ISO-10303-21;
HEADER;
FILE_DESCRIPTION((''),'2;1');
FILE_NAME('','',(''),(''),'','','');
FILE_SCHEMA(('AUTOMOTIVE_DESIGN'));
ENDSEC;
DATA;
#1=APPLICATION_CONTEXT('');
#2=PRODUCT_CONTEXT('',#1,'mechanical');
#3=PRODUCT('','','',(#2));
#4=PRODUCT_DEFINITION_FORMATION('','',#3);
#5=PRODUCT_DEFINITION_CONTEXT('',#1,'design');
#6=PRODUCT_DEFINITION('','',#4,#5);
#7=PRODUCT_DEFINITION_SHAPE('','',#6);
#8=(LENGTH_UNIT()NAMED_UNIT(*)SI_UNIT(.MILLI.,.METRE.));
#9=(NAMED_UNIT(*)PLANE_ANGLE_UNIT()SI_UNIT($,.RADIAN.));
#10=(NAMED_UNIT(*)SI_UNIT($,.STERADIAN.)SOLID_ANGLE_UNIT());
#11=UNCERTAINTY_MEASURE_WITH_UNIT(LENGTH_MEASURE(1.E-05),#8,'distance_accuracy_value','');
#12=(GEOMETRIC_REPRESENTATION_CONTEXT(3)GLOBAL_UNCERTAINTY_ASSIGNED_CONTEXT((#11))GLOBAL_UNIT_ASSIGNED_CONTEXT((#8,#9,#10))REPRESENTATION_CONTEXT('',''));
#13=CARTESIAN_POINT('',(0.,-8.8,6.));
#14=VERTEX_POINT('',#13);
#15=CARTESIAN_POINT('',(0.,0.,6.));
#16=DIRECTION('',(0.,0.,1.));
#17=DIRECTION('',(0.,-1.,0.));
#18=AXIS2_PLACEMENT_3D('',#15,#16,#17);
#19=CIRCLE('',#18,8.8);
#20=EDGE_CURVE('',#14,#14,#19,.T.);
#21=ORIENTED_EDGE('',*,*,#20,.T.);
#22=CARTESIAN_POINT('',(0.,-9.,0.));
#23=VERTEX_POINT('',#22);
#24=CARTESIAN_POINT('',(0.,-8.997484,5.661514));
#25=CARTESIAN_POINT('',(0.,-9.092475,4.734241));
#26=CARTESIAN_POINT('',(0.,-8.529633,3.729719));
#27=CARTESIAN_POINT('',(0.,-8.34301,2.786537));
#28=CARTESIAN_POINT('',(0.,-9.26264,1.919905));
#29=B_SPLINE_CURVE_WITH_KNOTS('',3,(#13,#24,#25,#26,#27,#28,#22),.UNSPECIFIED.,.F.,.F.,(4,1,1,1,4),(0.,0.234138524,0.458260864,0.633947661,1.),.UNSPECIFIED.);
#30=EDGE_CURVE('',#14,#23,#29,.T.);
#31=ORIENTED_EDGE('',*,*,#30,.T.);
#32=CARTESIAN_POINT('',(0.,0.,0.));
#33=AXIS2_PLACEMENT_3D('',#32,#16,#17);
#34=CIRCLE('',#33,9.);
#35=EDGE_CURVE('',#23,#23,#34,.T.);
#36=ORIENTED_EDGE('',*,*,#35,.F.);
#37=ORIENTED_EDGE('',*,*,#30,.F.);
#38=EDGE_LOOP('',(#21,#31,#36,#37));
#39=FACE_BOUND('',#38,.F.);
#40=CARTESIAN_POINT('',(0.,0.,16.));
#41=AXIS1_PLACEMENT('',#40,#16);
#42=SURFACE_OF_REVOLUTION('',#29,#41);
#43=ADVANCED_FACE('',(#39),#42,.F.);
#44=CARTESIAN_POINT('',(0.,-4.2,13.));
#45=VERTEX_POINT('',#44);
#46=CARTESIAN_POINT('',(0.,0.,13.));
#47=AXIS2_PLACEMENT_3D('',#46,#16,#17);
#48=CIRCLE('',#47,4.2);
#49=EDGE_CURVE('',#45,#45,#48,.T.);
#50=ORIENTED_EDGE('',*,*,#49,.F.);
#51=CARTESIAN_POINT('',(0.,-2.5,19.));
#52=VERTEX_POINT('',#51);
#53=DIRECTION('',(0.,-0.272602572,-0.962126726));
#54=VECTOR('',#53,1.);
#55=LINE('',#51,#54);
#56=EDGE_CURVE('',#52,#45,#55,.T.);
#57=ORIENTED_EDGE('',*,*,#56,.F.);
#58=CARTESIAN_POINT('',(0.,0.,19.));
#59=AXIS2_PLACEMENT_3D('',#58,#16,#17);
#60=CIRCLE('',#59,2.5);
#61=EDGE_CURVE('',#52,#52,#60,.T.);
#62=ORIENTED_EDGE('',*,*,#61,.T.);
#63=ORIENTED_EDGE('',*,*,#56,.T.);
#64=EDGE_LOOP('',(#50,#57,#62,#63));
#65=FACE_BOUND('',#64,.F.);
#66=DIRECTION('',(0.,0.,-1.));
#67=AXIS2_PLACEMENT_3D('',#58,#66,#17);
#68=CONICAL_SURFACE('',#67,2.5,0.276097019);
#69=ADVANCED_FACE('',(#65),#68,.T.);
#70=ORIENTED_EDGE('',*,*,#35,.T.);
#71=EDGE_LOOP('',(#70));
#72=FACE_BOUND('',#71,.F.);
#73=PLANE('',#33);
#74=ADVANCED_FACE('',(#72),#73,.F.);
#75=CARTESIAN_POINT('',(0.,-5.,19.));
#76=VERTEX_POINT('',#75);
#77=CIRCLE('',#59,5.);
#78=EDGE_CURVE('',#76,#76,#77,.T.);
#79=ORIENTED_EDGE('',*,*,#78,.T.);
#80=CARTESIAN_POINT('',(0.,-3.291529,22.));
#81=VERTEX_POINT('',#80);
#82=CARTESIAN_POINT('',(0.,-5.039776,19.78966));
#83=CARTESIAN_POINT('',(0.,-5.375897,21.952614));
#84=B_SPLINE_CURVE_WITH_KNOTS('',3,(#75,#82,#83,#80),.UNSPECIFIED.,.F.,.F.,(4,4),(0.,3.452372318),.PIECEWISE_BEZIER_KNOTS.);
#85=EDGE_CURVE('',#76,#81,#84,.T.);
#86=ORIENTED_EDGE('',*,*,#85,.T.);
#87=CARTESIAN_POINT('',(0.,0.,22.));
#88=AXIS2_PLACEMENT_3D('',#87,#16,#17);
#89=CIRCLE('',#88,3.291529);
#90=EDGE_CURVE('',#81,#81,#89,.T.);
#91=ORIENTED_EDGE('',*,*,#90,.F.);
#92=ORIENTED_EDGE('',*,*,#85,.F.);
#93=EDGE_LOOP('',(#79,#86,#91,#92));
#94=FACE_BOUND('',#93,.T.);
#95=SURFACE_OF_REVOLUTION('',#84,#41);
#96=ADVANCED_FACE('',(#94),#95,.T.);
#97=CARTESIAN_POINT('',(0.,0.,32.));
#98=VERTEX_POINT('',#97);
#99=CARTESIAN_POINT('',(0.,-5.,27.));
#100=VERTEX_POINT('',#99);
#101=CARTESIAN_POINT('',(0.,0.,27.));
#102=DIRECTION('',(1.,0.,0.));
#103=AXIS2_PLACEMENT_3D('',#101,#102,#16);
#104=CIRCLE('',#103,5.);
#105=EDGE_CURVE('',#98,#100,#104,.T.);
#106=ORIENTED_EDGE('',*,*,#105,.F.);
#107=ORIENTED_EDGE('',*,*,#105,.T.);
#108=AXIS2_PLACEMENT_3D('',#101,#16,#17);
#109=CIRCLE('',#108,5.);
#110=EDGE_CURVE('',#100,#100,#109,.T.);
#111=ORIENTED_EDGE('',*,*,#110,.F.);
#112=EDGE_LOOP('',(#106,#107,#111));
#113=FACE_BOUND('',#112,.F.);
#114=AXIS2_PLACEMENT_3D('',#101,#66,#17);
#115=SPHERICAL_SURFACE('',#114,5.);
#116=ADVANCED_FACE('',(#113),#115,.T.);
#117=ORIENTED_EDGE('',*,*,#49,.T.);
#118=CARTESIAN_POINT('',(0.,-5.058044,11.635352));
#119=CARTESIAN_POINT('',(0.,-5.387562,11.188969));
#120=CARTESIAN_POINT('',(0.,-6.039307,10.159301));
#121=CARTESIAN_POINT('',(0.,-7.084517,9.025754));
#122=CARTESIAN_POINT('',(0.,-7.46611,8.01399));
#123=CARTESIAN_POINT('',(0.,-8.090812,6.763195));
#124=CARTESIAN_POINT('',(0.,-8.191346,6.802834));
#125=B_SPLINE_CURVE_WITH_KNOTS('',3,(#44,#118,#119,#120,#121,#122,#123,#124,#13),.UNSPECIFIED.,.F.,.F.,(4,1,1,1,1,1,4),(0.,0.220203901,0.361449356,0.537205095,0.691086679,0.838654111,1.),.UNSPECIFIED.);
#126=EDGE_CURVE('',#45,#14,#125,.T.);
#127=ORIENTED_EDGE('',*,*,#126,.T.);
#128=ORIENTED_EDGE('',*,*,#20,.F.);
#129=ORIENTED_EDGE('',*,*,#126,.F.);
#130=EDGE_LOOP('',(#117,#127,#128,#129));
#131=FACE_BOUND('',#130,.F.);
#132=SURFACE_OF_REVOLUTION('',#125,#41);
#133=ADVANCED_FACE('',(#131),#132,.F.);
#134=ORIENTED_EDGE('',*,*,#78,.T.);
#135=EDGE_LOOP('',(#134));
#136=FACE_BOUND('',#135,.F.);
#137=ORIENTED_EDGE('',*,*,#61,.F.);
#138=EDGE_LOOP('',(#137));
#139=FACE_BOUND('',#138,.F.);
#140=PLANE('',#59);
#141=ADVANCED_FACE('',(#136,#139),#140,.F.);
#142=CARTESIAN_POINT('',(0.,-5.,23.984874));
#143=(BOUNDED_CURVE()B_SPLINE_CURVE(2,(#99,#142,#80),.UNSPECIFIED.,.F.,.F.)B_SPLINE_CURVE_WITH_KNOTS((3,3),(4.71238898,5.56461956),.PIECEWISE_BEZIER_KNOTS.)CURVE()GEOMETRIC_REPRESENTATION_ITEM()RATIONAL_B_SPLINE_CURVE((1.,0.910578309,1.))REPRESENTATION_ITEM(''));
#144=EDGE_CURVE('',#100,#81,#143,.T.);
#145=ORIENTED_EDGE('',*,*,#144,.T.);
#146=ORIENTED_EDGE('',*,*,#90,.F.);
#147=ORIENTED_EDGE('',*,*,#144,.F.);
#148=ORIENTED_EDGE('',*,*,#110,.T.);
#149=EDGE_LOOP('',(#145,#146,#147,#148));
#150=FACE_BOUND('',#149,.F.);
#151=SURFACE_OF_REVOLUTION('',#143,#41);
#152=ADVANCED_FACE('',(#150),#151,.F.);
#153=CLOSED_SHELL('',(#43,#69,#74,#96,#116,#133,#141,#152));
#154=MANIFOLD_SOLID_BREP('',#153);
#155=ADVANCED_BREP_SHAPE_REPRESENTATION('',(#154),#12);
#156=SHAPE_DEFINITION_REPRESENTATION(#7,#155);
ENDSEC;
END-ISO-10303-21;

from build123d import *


with BuildPart() as f1:
    # F0 (on Right) → F1 (revolve)
    with BuildSketch(Plane.YZ):
        with BuildLine():
            Line((-9, 0), (0, 0))
            Line((0, 0), (0, 32))
            ThreePointArc((0, 32), (-3.5355339059, 30.5355339059), (-5, 27))
            add(Edge.make_bspline(
                [(-5, 27), (-5, 23.9848744073), (-3.291528572, 22)],
                knots=[4.7123889804, 4.7123889804, 4.7123889804, 5.5646195603, 5.5646195603, 5.5646195603], degree=2, weights=[1, 0.9105783092, 1]))
            add(Edge.make_bspline(
                [(-5, 19), (-5.0397762097, 19.7896603495), (-5.3758970462, 21.9526141882), (-3.291528572, 22)],
                knots=[0, 0, 0, 0, 3.4523723177, 3.4523723177, 3.4523723177, 3.4523723177], degree=3))
            Line((-5, 19), (-2.5, 19))
            Line((-2.5, 19), (-4.2, 13))
            add(Edge.make_bspline(
                [(-4.2, 13), (-5.0580437535, 11.6353517708), (-5.3875620506, 11.1889692915), (-6.0393068781, 10.1593006312), (-7.0845174038, 9.0257541439), (-7.4661100887, 8.0139899234), (-8.0908116748, 6.7631948147), (-8.1913455623, 6.8028341866), (-8.8, 6)],
                knots=[0, 0, 0, 0, 0.2202039012, 0.3614493564, 0.5372050951, 0.6910866785, 0.8386541111, 1, 1, 1, 1], degree=3))
            add(Edge.make_bspline(
                [(-8.8, 6), (-8.9974841103, 5.6615136564), (-9.0924750378, 4.7342409282), (-8.5296331344, 3.7297193197), (-8.3430096816, 2.7865365777), (-9.2626395207, 1.9199048167), (-9, 0)],
                knots=[0, 0, 0, 0, 0.2341385243, 0.4582608642, 0.6339476614, 1, 1, 1, 1], degree=3))
        make_face()
    revolve(axis=Axis((0, 0, 16), (0, 0, 1)))


solid = f1.part
